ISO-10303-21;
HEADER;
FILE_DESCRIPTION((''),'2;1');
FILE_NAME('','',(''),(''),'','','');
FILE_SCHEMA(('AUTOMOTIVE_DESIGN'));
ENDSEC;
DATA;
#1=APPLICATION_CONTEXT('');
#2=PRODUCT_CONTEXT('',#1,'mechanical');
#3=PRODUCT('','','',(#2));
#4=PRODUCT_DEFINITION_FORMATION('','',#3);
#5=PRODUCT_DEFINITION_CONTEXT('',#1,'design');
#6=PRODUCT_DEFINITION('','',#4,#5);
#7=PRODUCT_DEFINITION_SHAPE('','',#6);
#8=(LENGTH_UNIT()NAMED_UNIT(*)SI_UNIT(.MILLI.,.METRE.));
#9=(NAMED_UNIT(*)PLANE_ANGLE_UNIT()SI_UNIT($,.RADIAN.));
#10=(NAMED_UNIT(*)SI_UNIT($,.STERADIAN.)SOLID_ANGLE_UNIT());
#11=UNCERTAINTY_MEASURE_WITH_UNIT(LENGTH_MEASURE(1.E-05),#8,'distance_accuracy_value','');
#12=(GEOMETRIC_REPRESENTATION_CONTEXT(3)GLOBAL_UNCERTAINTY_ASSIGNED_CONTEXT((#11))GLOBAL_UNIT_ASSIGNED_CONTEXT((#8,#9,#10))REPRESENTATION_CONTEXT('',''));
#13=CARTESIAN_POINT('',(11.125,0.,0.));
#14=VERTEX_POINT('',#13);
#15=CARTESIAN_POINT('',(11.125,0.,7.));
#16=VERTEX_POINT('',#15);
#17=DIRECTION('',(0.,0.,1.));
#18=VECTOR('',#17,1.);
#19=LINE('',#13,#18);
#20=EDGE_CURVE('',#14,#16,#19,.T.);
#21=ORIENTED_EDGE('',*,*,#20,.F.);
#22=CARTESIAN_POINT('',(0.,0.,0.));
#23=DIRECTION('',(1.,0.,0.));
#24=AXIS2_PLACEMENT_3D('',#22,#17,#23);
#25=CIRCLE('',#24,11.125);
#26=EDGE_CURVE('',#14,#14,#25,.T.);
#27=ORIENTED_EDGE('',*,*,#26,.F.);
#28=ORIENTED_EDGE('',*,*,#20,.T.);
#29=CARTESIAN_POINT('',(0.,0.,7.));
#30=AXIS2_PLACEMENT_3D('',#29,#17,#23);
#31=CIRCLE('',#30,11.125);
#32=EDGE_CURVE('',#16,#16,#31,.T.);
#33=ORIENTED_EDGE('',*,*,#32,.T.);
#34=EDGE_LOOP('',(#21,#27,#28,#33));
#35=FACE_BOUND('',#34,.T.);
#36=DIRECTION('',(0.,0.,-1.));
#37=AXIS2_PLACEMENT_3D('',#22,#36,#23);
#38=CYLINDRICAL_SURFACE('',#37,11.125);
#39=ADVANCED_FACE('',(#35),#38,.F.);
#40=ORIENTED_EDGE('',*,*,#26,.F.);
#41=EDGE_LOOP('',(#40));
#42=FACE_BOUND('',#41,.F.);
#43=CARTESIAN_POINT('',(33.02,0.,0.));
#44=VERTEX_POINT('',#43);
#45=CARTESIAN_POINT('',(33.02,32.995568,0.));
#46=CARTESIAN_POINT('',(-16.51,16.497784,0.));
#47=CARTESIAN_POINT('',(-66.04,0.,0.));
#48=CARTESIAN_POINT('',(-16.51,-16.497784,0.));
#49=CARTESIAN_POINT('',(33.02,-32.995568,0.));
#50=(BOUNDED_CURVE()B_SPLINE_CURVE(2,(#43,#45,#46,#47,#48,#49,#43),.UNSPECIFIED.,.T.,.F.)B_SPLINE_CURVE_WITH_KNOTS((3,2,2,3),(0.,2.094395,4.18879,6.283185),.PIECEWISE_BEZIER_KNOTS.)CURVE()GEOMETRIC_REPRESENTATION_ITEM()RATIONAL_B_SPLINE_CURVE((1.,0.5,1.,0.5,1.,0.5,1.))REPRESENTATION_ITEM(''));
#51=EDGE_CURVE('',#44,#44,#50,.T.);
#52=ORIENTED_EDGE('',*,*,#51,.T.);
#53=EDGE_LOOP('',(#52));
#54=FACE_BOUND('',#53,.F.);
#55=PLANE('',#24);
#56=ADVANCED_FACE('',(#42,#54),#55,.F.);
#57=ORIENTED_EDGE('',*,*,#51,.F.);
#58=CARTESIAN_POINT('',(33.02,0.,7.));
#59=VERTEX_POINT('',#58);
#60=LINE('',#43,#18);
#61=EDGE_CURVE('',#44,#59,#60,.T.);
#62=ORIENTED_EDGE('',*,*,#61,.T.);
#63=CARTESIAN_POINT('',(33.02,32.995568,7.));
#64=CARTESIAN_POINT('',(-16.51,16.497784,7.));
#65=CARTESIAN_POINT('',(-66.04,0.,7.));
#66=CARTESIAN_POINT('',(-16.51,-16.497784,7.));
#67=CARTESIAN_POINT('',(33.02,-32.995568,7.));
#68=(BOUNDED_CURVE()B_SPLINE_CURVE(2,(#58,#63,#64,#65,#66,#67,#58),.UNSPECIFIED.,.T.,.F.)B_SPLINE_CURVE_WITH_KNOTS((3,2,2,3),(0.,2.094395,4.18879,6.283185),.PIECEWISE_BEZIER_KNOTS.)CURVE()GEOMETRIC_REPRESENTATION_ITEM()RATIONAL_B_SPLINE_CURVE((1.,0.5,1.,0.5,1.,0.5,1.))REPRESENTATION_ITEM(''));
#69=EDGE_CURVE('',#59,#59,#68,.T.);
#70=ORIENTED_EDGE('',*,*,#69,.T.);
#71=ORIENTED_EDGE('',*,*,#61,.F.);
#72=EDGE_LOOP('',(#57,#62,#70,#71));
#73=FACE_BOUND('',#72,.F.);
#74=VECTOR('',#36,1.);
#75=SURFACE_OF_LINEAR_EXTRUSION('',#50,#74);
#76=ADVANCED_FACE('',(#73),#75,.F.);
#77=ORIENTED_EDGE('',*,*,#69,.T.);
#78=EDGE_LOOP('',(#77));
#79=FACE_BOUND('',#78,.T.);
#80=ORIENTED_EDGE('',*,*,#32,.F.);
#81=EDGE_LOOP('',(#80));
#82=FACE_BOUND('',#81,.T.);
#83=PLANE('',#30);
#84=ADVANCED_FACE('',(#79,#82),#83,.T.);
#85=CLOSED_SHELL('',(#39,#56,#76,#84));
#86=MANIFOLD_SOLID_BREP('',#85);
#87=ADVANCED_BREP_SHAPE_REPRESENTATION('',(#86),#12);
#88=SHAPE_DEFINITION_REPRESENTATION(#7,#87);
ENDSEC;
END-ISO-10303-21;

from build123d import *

# Parameters (mm, degrees)
F0_R     = 11.125
F1_DEPTH = 7


with BuildPart() as f1:
    # F0 (on Top) → F1 (new body)
    with BuildSketch(Plane.XY):
        with BuildLine():
            add(Edge.make_bspline(
                [(33.02, 0), (33.02, 32.995568), (-16.51, 16.497784), (-66.04, 0), (-16.51, -16.497784), (33.02, -32.995568), (33.02, 0)],
                knots=[0, 0, 0, 2.094395, 2.094395, 4.18879, 4.18879, 6.283185, 6.283185, 6.283185], degree=2, weights=[1, 0.5, 1, 0.5, 1, 0.5, 1]))
        make_face()
        Circle(F0_R, mode=Mode.SUBTRACT)
    extrude(amount=F1_DEPTH)


solid = f1.part
